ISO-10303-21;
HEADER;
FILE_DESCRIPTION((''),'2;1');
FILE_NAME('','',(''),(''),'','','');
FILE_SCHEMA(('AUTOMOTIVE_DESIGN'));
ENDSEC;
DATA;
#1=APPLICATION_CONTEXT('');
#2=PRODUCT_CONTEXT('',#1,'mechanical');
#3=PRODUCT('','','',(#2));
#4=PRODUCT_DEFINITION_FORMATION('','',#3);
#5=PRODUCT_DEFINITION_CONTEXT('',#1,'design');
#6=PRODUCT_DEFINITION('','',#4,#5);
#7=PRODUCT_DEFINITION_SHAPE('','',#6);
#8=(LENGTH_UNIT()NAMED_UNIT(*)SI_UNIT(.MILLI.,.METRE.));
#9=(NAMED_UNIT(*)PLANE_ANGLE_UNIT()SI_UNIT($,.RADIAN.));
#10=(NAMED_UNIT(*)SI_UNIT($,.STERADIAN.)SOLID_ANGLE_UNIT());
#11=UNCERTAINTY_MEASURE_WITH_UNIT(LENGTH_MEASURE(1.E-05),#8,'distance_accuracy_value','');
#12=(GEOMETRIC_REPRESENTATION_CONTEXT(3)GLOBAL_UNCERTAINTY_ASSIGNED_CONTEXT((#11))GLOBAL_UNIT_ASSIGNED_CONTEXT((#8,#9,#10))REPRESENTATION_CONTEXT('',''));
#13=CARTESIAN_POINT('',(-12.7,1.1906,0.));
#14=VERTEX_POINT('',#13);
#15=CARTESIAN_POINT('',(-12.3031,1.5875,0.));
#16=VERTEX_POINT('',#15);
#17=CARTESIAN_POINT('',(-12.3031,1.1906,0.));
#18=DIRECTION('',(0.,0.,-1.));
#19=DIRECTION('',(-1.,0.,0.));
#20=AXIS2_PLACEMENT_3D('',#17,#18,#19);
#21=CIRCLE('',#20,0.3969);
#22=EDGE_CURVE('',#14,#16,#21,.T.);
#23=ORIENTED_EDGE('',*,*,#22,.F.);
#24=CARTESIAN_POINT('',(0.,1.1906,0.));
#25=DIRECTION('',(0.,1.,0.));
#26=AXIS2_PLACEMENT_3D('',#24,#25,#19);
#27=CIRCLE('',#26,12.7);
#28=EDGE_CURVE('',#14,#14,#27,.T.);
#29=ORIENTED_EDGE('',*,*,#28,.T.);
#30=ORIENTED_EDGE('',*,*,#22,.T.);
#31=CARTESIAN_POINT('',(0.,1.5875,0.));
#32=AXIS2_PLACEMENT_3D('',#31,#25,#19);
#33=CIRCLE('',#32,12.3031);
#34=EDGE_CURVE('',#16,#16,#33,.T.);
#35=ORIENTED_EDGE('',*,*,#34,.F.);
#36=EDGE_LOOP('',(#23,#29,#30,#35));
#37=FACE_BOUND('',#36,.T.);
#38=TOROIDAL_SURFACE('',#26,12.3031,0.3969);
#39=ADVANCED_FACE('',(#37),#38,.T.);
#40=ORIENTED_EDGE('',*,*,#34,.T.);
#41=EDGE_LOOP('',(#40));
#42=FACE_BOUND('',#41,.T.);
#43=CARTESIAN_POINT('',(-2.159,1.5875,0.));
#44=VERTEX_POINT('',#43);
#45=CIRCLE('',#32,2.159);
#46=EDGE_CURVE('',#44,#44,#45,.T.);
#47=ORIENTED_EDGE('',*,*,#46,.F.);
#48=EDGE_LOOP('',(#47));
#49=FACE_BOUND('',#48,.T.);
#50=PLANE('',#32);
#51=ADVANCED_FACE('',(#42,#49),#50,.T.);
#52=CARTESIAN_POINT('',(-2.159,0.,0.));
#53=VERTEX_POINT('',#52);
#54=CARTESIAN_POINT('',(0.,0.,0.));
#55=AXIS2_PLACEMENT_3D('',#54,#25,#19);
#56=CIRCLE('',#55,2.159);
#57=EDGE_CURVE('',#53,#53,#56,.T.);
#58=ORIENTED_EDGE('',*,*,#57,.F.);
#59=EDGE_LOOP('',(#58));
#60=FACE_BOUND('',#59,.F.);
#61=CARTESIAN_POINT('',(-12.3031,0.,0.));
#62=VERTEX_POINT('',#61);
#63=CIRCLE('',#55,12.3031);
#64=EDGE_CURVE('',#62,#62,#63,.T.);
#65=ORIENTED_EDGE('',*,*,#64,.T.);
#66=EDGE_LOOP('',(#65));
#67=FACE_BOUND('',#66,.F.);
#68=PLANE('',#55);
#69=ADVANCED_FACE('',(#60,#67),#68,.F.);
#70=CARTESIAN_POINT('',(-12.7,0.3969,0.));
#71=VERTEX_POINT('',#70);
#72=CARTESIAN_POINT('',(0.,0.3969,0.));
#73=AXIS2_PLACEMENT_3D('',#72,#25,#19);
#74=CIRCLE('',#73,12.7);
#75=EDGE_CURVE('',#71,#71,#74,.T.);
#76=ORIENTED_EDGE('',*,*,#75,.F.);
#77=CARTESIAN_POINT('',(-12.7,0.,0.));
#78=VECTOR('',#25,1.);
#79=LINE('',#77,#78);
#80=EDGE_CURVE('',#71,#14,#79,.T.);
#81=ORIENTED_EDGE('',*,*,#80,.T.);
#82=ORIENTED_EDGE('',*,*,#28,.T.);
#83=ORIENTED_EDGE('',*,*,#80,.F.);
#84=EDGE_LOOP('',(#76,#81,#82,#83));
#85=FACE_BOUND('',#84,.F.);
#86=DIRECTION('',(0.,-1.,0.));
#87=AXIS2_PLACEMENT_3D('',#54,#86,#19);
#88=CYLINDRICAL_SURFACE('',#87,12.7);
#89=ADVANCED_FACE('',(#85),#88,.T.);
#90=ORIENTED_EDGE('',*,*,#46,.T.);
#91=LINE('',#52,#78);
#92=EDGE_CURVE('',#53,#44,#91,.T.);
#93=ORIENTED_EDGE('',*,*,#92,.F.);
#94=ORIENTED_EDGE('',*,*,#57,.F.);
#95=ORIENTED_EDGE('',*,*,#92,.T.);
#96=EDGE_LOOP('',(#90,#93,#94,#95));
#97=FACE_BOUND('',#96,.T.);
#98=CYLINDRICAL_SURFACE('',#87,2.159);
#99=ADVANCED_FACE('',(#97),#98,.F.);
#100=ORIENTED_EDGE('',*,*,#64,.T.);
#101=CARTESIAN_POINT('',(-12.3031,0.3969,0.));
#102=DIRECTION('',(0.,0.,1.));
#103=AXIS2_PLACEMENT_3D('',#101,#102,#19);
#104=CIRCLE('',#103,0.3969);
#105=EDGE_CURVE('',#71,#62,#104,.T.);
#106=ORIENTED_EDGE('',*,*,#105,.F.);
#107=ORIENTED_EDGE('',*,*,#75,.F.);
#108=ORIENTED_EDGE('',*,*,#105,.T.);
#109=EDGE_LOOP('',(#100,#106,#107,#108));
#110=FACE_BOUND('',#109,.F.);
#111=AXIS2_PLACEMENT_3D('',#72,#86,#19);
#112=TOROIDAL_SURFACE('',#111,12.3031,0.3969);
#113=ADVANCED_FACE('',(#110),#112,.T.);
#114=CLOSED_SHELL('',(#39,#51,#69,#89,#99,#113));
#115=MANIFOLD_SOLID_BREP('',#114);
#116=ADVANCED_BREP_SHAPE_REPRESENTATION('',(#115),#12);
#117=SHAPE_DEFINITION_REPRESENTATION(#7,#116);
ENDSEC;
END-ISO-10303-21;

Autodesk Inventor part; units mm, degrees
ref_plane "YZ Plane" through (0, 0, 0) normal (1, 0, 0) x (0, 1, 0)
ref_plane "XZ Plane" through (0, 0, 0) normal (0, 1, 0) x (-1, 0, 0)
ref_plane "XY Plane" through (0, 0, 0) normal (0, 0, 1) x (1, 0, 0)
sketch "Sketch1" plane through (0, 0, 0) normal (0, 1, 0) x (-1, 0, 0)
  circle A0 centre (0, 0) radius 12.7
  circle A1 centre (0, 0) radius 2.159
  dimension "d0" = 25.4
  dimension "d1" = 4.318
extrude "Extrusion1" add sketch "Sketch1" along normal blind 1.5875
fillet "Fillet1" radius 0.3969 2 edges at (12.7, 1.5875, 0) (12.7, 0, 0)
properties part number "Spacer (Nylon), 1 OD" material "Acetal Resin, White"
